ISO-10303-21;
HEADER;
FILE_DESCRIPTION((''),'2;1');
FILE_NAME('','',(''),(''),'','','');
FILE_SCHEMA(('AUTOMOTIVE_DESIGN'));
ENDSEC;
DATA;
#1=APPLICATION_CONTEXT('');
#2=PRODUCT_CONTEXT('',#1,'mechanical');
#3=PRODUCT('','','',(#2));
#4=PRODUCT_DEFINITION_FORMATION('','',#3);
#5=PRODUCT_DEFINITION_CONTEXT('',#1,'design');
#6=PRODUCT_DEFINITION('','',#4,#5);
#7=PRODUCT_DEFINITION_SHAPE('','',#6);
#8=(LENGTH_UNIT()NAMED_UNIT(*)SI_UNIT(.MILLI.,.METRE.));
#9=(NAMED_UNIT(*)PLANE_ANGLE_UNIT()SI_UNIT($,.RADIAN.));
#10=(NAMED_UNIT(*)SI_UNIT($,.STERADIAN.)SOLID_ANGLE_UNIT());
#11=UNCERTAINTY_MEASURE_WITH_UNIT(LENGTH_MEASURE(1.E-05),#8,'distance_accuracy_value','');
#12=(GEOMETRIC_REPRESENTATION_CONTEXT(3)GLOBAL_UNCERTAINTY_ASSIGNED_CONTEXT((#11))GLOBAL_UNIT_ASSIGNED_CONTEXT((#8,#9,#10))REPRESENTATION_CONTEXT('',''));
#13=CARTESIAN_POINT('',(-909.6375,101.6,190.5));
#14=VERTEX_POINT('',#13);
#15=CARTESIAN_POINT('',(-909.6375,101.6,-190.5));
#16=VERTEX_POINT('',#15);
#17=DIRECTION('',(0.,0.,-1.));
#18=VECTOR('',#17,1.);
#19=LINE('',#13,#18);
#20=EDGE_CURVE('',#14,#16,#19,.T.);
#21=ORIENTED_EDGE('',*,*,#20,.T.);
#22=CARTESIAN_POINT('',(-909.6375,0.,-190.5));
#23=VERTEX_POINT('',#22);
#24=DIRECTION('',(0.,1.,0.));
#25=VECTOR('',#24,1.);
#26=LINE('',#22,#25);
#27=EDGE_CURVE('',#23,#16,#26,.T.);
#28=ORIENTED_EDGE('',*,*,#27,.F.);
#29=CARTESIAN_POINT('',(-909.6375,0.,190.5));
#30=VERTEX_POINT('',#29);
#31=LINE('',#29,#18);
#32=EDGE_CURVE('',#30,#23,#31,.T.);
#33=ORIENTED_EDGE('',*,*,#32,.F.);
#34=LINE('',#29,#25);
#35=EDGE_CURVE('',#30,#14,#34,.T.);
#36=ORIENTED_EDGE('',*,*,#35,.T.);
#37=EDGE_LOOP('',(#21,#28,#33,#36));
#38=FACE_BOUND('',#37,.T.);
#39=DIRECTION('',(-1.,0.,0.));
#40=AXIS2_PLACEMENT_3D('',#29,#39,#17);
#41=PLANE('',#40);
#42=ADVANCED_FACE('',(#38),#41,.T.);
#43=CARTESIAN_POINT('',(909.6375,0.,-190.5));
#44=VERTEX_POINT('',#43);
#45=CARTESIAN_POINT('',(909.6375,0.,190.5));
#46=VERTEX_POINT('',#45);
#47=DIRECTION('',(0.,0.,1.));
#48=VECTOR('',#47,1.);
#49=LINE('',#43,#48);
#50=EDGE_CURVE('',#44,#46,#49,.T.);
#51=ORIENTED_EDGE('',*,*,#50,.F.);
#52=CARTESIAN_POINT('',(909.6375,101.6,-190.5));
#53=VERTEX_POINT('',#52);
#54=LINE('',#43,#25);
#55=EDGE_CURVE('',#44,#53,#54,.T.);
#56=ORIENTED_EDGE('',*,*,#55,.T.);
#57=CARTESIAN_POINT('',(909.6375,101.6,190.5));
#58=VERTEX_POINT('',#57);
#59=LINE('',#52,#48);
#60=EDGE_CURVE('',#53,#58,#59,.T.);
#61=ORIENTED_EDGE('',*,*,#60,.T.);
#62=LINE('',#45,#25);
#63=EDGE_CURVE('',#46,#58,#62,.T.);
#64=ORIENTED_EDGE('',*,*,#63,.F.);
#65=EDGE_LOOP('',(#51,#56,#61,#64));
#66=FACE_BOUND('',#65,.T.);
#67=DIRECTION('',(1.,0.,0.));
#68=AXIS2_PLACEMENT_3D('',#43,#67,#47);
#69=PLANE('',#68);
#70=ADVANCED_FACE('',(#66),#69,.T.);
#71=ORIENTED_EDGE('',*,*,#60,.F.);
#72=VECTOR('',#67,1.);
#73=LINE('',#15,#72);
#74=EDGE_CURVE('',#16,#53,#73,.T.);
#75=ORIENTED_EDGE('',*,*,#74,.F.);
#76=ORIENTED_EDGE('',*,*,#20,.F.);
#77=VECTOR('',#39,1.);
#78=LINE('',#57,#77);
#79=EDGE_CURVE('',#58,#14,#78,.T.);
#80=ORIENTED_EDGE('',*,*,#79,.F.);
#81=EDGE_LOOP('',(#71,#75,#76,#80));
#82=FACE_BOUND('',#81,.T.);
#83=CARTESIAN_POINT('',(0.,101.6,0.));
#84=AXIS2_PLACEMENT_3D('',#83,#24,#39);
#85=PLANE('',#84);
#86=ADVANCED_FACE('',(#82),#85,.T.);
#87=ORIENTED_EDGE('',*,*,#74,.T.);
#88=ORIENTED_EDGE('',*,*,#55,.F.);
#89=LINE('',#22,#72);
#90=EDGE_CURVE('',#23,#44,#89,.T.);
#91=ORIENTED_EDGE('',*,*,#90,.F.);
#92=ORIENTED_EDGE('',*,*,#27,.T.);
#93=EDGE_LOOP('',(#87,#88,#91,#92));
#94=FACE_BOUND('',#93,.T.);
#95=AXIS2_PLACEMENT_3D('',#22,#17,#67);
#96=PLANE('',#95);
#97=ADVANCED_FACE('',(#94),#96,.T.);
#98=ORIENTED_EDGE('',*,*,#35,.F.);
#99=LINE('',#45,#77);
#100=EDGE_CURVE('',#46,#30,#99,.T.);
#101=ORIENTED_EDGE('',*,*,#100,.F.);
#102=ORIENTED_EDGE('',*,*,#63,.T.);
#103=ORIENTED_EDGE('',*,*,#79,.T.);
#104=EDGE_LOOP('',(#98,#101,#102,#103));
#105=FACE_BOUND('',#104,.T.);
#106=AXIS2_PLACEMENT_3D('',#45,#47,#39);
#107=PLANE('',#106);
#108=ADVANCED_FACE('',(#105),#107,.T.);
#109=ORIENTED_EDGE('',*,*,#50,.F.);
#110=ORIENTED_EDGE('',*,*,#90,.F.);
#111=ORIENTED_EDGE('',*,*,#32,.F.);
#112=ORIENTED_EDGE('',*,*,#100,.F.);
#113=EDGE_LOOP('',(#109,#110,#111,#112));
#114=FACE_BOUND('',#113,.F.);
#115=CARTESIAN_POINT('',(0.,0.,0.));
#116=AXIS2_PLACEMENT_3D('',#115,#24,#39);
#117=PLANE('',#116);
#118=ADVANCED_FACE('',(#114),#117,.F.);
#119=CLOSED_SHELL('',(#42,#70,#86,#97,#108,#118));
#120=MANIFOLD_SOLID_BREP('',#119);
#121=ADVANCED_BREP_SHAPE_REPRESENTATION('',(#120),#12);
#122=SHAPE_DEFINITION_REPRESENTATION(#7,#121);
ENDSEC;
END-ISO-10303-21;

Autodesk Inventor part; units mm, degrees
ref_plane "YZ Plane" through (0, 0, 0) normal (1, 0, 0) x (0, 1, 0)
ref_plane "XZ Plane" through (0, 0, 0) normal (0, 1, 0) x (-1, 0, 0)
ref_plane "XY Plane" through (0, 0, 0) normal (0, 0, 1) x (1, 0, 0)
sketch "Sketch1" plane through (0, 0, 0) normal (0, 1, 0) x (-1, 0, 0)
  line L0 (909.6375, -190.5) -> (-909.6375, -190.5)
  line L1 (-909.6375, -190.5) -> (-909.6375, 190.5)
  line L2 (-909.6375, 190.5) -> (909.6375, 190.5)
  line L3 (909.6375, 190.5) -> (909.6375, -190.5)
  line L4 (909.6375, -190.5) -> (-909.6375, 190.5) construction
  line L5 (-909.6375, -190.5) -> (909.6375, 190.5) construction
  point P0 (0, 0)
  dimension "d0" = 1819.275
  dimension "d1" = 381
extrude "Extrusion1" add sketch "Sketch1" along normal blind 101.6
properties part number "cap - 13" material "Granite, Cut, Polished"
